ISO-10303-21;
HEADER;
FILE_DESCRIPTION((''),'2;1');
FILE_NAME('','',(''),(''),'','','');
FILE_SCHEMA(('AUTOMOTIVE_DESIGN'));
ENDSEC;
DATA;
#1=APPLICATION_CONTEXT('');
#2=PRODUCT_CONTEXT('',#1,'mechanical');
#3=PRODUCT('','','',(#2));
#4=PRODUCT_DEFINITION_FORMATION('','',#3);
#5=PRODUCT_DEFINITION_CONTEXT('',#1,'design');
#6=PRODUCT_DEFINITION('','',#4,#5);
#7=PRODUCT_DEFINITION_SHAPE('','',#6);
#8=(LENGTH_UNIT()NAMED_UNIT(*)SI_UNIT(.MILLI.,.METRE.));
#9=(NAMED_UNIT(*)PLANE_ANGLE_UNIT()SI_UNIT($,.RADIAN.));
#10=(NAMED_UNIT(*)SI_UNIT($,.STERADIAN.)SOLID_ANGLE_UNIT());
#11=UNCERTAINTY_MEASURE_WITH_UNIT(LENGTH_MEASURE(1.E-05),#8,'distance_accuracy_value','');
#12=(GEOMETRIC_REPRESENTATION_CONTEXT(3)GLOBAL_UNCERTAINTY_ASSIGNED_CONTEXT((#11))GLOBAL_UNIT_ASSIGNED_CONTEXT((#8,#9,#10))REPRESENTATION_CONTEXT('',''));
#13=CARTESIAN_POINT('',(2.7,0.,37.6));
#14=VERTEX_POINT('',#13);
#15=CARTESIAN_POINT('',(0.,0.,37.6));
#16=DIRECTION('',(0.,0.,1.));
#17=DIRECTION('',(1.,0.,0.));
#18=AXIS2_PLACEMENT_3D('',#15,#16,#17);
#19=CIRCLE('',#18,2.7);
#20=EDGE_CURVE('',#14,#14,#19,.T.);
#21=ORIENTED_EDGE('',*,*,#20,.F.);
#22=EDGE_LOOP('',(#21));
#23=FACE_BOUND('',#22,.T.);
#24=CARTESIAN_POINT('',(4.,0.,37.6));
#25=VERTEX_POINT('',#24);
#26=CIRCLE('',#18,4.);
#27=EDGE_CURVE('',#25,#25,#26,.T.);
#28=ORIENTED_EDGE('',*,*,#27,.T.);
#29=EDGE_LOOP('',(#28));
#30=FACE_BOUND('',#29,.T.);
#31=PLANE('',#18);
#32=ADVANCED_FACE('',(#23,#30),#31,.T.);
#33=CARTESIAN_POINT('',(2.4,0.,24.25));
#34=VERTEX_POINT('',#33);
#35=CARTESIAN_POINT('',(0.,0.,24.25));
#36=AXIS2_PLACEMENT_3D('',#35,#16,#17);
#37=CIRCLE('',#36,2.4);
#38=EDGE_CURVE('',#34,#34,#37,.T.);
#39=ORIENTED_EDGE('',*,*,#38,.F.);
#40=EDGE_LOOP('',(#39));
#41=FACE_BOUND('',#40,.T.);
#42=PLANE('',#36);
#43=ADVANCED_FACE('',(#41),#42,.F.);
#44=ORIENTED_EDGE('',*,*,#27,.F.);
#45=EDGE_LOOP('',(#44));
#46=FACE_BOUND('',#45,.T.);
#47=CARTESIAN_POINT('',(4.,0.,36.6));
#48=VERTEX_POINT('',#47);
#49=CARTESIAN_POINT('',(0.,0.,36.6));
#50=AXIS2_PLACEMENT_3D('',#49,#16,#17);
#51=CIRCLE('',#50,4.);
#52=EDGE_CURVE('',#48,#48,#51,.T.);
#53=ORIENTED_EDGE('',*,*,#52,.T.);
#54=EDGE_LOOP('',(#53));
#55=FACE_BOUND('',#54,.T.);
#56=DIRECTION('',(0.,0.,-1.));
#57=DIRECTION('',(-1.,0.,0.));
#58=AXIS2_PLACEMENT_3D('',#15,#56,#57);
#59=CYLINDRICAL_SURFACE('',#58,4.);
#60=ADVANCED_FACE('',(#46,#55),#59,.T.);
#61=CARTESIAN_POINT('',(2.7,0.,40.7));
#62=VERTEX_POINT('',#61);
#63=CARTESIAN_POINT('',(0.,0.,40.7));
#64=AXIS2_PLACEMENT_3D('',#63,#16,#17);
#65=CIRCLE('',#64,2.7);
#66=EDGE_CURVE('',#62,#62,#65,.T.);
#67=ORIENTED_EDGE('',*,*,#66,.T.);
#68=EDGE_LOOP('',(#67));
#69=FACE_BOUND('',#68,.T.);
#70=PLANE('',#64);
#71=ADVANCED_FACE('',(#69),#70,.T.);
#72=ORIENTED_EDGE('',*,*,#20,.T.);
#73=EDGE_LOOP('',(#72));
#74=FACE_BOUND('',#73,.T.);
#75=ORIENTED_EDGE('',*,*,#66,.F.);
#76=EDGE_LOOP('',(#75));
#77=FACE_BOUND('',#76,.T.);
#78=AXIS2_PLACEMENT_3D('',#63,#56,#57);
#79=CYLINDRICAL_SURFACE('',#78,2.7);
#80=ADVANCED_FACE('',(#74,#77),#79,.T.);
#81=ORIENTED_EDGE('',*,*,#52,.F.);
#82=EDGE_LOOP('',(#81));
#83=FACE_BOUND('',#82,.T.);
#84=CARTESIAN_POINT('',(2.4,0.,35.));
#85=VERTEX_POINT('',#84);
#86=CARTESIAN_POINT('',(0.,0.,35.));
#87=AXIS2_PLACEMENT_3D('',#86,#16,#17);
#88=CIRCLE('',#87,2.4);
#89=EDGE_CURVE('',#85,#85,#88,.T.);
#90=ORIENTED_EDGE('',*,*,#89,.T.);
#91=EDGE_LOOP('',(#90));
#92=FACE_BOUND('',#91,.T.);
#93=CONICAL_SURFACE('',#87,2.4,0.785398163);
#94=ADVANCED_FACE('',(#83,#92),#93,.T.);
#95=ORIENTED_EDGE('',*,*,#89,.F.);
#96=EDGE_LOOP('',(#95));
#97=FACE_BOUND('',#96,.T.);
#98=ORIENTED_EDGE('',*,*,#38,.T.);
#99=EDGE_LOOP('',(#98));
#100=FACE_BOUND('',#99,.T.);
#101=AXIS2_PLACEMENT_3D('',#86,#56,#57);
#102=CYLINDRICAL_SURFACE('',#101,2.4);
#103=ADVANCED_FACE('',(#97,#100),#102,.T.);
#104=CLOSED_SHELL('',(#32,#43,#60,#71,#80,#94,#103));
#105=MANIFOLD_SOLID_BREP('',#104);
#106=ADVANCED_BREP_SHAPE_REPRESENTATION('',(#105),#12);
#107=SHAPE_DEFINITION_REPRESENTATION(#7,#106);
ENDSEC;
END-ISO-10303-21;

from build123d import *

# Parameters (mm, degrees)
PLUNGER_STEM_START          = 24.25
SKETCH_1_R                  = 2.4
PLUNGER_STEM_DEPTH          = 10.75
PRINTABLE_FLANGE_RAMP_START = 35
SKETCH_2_R                  = 2.4
PRINTABLE_FLANGE_RAMP_DEPTH = 1.6
PRINTABLE_FLANGE_RAMP_DRAFT = -45
CAPTIVE_FLANGE_START        = 36.6
SKETCH_3_R                  = 4
CAPTIVE_FLANGE_DEPTH        = 1
EXPOSED_KEY_CAP_START       = 37.6
SKETCH_4_R                  = 2.7
EXPOSED_KEY_CAP_DEPTH       = 3.1


with BuildPart() as part:
    # 草图1 → Plunger_stem (new body)
    with BuildSketch(Plane.XY.offset(PLUNGER_STEM_START)):
        Circle(SKETCH_1_R)
    extrude(amount=PLUNGER_STEM_DEPTH)


with BuildPart() as printable_flange_ramp_tool:
    # 草图2 → Printable_flange_ramp (with draft: the straight prism first)
    with BuildSketch(Plane.XY.offset(PRINTABLE_FLANGE_RAMP_START)):
        Circle(SKETCH_2_R)
    extrude(amount=PRINTABLE_FLANGE_RAMP_DEPTH)
    # Printable_flange_ramp: the draft: its side faces are tilted about the plane it starts from
    printable_flange_ramp_sides = [printable_flange_ramp_tool.faces().sort_by_distance(p)[0] for p in [
        (-2.4, 0, 35.8),
    ]]
    draft(printable_flange_ramp_sides, Plane.XY.offset(PRINTABLE_FLANGE_RAMP_START), PRINTABLE_FLANGE_RAMP_DRAFT)


with BuildPart() as part_1:
    add(part.part)

    # Printable_flange_ramp: add printable_flange_ramp_tool
    add(printable_flange_ramp_tool.part)

    # 草图3 → Captive_flange (add)
    with BuildSketch(Plane.XY.offset(CAPTIVE_FLANGE_START)):
        Circle(SKETCH_3_R)
    extrude(amount=CAPTIVE_FLANGE_DEPTH)

    # 草图4 → Exposed_key_cap (add)
    with BuildSketch(Plane.XY.offset(EXPOSED_KEY_CAP_START)):
        Circle(SKETCH_4_R)
    extrude(amount=EXPOSED_KEY_CAP_DEPTH)


solid = part_1.part
